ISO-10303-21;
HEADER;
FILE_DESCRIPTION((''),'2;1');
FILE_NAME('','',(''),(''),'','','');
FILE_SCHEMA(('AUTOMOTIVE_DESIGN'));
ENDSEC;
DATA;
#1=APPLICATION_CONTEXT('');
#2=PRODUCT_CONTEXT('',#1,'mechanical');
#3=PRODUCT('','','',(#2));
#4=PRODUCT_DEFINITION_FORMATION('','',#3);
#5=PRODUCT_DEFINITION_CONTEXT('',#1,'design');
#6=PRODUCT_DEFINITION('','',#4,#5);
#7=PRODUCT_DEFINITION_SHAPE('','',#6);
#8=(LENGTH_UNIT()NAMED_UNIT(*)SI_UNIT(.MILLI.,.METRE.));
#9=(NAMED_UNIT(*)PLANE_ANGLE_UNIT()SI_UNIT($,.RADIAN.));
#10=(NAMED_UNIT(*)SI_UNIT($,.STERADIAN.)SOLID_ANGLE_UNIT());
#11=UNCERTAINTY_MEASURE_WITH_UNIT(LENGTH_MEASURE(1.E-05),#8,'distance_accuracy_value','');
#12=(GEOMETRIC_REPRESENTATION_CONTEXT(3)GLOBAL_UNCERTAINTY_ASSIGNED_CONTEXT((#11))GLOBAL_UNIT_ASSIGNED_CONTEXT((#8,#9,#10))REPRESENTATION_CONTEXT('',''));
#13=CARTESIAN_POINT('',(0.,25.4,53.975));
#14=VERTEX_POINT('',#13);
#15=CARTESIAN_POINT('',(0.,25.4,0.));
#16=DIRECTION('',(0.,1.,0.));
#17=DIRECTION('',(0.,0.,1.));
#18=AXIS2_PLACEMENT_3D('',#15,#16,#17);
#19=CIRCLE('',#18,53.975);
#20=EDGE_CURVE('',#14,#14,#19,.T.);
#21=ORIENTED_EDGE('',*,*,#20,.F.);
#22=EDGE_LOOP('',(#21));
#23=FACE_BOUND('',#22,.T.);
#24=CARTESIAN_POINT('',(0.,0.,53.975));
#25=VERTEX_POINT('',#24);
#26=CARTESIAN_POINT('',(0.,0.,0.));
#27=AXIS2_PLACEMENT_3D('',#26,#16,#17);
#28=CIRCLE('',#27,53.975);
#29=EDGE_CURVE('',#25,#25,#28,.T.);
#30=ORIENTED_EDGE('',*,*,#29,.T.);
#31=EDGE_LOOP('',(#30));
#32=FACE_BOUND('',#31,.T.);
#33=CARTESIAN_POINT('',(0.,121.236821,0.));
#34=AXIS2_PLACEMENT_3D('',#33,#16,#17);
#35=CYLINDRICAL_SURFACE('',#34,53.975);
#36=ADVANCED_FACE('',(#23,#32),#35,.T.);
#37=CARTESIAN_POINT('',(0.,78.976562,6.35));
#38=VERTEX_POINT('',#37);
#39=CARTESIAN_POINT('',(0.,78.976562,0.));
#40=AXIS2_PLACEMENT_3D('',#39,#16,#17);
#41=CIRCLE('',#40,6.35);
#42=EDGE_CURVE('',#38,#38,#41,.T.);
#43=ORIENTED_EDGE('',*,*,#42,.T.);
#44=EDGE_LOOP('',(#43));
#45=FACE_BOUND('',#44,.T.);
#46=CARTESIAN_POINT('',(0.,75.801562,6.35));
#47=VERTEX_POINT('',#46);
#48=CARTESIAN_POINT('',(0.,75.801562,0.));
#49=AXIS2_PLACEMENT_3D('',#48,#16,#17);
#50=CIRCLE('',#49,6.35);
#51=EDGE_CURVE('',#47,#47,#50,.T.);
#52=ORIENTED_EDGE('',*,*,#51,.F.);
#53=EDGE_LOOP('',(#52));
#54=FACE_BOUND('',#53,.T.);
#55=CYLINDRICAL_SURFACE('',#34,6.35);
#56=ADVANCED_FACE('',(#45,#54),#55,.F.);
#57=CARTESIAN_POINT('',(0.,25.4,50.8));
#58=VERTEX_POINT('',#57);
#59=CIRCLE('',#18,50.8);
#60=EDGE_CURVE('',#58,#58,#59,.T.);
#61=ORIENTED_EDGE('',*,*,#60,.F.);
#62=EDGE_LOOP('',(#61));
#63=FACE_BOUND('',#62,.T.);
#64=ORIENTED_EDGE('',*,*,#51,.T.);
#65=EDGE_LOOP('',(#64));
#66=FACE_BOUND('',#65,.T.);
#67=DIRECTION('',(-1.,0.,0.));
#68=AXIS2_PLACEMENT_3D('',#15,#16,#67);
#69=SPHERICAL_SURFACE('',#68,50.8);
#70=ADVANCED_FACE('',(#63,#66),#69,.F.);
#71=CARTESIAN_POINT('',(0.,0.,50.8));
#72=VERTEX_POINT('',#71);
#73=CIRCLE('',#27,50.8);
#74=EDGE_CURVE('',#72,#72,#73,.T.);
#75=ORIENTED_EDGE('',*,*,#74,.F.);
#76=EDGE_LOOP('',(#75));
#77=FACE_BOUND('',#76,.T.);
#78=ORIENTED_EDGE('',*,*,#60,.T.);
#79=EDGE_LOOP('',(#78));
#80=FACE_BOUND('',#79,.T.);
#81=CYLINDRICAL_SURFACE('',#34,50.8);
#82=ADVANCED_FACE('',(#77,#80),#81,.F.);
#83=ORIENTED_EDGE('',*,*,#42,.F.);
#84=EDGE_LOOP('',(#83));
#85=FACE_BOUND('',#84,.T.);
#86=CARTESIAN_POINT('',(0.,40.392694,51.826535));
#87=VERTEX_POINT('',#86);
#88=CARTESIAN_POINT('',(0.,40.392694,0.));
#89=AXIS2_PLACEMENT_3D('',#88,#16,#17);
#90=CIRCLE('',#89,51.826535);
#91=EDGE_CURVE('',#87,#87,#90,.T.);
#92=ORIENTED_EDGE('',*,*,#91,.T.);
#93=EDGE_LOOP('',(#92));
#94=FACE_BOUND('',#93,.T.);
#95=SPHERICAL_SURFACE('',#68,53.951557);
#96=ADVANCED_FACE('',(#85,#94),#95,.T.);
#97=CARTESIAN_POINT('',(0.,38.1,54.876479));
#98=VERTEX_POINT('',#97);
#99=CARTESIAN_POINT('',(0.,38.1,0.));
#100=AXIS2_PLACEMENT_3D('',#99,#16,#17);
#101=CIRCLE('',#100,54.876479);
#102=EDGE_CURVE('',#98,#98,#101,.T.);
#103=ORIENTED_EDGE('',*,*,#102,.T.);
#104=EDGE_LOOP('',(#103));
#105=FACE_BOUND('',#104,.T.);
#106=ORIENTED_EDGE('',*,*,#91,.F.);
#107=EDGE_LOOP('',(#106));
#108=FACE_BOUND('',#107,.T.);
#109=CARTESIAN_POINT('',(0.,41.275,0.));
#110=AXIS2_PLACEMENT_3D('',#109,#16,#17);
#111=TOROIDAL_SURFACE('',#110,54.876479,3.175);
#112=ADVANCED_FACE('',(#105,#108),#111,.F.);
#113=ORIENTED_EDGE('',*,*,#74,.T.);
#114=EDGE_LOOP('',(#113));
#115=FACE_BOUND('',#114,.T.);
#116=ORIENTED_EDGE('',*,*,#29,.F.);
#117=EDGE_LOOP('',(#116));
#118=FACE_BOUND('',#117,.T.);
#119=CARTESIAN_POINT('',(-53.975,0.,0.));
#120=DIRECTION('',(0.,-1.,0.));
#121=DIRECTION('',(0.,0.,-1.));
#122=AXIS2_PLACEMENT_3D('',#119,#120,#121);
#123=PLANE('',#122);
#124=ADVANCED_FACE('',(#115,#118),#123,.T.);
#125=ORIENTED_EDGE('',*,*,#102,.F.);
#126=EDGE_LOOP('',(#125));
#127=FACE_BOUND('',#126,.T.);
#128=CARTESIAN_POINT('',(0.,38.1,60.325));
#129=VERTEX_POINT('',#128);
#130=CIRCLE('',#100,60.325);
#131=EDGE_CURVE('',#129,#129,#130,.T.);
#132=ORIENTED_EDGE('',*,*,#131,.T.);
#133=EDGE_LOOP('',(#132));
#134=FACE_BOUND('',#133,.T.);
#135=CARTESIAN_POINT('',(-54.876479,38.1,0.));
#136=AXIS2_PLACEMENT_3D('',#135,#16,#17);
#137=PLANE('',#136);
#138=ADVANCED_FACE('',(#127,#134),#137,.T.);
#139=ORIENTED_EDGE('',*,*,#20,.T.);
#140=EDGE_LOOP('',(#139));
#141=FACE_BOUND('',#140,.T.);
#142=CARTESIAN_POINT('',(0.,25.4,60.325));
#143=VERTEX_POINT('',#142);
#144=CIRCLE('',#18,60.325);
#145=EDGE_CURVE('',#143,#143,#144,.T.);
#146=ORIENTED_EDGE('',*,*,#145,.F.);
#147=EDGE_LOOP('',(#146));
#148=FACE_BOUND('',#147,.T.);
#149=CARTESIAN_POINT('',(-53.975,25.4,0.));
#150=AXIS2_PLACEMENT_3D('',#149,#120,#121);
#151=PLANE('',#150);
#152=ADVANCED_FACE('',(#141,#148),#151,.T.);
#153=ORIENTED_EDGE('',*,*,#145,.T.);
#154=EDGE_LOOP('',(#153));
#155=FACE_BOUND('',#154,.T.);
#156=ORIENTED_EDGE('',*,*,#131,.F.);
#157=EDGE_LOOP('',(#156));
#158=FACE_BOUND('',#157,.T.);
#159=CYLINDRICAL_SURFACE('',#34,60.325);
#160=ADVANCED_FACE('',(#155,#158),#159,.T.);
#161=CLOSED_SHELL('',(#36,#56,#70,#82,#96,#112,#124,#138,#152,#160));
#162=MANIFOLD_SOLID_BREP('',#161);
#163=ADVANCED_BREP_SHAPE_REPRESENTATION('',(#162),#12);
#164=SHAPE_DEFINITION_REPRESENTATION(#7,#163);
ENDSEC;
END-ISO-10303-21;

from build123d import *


with BuildPart() as part:
    # Sketch1 → Revolve7 (revolve)
    with BuildSketch(Plane.XY):
        with BuildLine():
            Line((-53.975, 0), (-53.975, 25.4))
            Line((-53.975, 25.4), (-60.325, 25.4))
            Line((-60.325, 25.4), (-60.325, 38.1))
            Line((-60.325, 38.1), (-54.876478898, 38.1))
            ThreePointArc((-54.876478898, 38.1), (-52.968691921, 38.737092624), (-51.826534557, 40.392693639))
            ThreePointArc((-51.826534557, 40.392693639), (-34.904240815, 66.539573647), (-6.35, 78.976562476))
            Line((-6.35, 78.976562476), (-6.35, 75.801562476))
            ThreePointArc((-6.35, 75.801562476), (-38.1, 59.001041651), (-50.8, 25.4))
            Line((-50.8, 25.4), (-50.8, 0))
            Line((-50.8, 0), (-53.975, 0))
        make_face()
    revolve(axis=Axis((0, 121.236821391, 0), (0, -1, 0)))


solid = part.part
